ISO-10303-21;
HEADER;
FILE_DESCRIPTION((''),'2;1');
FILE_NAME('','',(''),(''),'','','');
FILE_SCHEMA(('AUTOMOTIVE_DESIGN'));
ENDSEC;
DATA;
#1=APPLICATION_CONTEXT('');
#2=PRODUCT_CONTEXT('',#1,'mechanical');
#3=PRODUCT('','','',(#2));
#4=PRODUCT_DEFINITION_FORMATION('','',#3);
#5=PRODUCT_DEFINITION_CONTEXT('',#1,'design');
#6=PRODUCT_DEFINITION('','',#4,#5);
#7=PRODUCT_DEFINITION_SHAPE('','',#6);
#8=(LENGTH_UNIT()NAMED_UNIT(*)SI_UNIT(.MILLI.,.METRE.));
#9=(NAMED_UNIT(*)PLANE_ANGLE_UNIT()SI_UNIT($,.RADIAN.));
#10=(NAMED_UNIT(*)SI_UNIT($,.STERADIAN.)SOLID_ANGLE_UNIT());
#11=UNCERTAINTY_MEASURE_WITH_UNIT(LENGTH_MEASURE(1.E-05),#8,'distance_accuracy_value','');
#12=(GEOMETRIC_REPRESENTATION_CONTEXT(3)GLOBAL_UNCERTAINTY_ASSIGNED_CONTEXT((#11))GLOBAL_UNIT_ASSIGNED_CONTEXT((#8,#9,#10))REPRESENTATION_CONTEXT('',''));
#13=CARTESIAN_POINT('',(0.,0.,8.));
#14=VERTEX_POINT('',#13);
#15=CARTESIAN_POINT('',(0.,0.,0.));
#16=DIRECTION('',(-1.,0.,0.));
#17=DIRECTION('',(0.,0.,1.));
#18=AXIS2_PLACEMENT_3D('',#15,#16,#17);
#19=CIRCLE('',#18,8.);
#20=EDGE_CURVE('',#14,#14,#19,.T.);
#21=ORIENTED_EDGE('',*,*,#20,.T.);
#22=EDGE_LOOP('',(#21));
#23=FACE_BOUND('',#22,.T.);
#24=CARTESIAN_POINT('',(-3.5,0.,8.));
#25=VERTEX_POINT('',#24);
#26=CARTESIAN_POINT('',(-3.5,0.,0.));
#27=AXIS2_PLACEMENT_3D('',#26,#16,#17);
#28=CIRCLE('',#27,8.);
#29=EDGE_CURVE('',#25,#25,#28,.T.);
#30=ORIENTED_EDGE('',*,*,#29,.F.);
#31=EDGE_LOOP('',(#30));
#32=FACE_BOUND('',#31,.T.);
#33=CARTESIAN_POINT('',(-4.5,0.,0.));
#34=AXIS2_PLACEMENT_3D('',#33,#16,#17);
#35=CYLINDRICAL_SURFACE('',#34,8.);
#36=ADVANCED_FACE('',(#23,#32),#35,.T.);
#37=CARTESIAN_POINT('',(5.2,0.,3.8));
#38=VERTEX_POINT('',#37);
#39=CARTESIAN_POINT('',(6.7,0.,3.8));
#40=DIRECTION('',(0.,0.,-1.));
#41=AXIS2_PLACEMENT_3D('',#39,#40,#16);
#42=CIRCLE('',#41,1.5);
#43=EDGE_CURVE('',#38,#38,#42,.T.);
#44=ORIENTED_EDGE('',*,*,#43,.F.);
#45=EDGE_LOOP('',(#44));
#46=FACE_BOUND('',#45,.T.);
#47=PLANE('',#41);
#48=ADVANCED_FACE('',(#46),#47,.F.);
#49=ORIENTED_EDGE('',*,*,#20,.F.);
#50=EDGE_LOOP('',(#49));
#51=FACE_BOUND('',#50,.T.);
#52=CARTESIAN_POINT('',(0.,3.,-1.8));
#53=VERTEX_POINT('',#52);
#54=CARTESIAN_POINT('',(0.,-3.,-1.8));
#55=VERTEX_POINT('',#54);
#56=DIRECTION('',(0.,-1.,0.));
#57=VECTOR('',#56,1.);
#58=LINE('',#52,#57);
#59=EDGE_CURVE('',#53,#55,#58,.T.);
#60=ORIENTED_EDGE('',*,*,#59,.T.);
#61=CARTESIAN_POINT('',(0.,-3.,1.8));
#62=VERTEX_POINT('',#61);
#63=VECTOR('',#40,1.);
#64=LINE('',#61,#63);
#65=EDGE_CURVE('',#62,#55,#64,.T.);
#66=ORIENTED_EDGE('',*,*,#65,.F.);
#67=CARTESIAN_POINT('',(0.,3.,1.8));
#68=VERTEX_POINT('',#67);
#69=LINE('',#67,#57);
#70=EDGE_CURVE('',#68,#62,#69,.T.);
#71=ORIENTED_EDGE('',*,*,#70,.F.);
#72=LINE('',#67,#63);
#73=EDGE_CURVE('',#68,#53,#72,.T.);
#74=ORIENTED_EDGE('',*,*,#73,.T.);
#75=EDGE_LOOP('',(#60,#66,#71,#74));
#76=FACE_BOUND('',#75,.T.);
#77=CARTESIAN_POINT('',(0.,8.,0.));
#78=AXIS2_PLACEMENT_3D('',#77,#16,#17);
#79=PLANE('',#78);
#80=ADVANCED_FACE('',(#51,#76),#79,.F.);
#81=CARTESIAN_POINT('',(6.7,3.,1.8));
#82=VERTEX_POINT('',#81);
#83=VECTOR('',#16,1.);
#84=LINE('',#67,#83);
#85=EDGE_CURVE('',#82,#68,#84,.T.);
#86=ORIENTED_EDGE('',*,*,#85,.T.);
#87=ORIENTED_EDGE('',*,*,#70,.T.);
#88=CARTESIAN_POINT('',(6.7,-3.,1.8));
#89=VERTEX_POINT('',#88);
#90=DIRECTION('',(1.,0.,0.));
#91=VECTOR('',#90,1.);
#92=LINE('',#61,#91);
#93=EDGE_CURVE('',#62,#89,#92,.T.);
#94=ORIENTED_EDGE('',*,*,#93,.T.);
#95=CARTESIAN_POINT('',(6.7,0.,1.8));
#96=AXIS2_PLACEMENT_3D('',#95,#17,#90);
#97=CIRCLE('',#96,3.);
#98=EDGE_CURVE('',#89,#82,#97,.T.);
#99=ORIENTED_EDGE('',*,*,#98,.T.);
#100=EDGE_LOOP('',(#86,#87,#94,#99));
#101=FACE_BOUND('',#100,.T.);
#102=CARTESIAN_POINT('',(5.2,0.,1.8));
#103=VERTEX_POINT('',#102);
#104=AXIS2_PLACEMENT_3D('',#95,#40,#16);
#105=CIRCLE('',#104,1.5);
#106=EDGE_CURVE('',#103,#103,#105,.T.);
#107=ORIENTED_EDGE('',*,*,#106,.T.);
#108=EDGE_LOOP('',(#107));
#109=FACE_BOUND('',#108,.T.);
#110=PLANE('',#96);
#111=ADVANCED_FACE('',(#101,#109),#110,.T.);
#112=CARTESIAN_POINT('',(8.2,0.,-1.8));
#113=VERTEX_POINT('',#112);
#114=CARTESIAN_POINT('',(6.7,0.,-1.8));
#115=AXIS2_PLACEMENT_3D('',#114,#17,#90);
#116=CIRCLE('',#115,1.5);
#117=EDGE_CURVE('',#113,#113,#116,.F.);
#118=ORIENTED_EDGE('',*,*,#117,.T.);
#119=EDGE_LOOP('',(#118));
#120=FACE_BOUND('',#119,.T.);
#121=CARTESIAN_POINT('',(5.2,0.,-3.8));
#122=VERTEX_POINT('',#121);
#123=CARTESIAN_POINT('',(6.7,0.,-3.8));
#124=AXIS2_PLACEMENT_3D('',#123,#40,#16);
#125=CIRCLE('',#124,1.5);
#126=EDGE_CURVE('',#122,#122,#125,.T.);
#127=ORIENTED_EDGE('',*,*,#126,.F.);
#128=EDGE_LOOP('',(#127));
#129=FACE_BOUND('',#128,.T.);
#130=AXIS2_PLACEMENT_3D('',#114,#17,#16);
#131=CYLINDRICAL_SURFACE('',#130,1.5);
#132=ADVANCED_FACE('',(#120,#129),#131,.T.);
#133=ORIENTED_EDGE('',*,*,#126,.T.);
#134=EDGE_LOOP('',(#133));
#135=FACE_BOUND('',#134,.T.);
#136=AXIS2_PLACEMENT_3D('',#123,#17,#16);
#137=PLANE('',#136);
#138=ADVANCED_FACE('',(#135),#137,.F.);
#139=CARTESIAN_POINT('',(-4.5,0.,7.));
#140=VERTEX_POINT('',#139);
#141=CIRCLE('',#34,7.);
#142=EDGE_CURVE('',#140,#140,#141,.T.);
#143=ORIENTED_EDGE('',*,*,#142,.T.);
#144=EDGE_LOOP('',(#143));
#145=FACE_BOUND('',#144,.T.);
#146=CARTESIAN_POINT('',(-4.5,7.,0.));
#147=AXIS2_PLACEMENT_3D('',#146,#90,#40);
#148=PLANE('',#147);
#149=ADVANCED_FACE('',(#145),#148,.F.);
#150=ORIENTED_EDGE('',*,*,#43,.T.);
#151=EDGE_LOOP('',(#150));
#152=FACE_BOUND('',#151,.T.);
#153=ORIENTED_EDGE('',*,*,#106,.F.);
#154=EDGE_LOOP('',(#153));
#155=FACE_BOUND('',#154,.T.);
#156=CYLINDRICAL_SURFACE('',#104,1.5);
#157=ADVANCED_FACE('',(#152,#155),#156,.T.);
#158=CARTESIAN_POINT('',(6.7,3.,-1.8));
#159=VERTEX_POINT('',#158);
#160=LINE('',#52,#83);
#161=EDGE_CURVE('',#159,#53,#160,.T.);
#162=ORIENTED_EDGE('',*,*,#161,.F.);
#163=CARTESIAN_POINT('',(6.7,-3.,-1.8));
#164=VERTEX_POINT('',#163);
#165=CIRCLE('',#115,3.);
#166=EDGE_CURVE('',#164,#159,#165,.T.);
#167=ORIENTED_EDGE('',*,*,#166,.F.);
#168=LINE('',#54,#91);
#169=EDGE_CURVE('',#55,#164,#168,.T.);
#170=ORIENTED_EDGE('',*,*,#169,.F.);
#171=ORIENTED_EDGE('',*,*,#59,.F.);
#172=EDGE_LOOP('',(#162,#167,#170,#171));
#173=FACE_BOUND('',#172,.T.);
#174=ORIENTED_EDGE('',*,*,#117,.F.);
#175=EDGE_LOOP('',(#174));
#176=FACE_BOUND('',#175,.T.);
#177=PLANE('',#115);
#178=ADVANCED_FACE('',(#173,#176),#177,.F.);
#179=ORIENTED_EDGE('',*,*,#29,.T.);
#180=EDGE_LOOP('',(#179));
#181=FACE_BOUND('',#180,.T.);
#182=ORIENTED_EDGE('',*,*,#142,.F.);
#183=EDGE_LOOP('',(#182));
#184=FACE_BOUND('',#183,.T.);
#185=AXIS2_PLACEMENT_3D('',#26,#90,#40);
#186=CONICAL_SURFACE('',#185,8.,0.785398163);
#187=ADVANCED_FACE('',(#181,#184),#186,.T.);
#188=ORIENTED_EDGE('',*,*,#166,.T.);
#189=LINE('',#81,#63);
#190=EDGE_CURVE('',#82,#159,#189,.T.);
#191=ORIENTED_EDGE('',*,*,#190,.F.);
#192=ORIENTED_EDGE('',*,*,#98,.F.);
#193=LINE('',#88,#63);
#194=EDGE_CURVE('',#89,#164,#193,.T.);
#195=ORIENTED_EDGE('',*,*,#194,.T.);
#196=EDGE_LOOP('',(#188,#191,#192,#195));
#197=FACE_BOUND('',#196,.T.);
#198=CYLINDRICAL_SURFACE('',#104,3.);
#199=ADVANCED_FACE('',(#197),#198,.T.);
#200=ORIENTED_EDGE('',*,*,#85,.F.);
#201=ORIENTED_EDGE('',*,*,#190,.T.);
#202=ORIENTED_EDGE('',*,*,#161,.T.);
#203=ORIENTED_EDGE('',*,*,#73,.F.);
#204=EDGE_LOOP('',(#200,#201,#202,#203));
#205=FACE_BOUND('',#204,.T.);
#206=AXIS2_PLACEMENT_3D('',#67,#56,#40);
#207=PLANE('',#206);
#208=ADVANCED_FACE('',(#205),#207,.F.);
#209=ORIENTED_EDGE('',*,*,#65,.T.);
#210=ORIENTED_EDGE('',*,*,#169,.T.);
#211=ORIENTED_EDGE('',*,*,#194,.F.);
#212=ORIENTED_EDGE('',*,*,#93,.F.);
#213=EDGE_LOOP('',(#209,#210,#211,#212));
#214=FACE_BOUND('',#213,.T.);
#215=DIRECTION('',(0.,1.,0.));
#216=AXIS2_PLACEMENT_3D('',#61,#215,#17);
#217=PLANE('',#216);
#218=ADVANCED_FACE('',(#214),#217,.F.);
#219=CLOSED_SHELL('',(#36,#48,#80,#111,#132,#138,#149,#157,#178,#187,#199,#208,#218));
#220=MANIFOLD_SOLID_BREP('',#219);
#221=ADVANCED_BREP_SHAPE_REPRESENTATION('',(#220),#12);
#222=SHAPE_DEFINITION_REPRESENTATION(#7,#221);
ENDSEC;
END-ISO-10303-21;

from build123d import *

# Parameters (mm, degrees)
EXTRUDE_1_DEPTH = 1.8
SKETCH_4_W      = 1.5
SKETCH_4_H      = 2


with BuildPart() as part:
    # 草图1 → 旋转1 (revolve)
    with BuildSketch(Plane.XY, mode=Mode.PRIVATE) as revolve_1_sk:
        Polygon((-4.5, 7), (-4.5, 0), (0, 0), (0, 8), (-3.5, 8), align=None)
    revolve(revolve_1_sk.sketch.rotate(Axis((-4.5, 0, 0), (1, 0, 0)), 90), axis=Axis((-4.5, 0, 0), (1, 0, 0)))

    # 草图3 → 凸台-拉伸1 (add, symmetric)
    with BuildSketch(Plane.XY):
        with BuildLine():
            Line((0, -3), (6.7, -3))
            ThreePointArc((6.7, -3), (9.7, 0), (6.7, 3))
            Line((6.7, 3), (0, 3))
            Line((0, 3), (0, -3))
        make_face()
    extrude(amount=EXTRUDE_1_DEPTH, both=True)

    # 草图4 → 旋转2 (revolve)
    with BuildSketch(Plane(origin=(0, 0, 0), x_dir=(1, 0, 0), z_dir=(0, 1, 0)), mode=Mode.PRIVATE) as revolve_2_sk:
        with Locations((7.45, -2.8)):
            Rectangle(SKETCH_4_W, SKETCH_4_H)
    revolve_2 = revolve(revolve_2_sk.sketch.rotate(Axis((6.7, 0, 1.8), (0, 0, 1)), 180), axis=Axis((6.7, 0, 1.8), (0, 0, 1)))

    # 镜向1: 旋转2 across plane
    add(revolve_2.mirror(Plane.XY))


solid = part.part
